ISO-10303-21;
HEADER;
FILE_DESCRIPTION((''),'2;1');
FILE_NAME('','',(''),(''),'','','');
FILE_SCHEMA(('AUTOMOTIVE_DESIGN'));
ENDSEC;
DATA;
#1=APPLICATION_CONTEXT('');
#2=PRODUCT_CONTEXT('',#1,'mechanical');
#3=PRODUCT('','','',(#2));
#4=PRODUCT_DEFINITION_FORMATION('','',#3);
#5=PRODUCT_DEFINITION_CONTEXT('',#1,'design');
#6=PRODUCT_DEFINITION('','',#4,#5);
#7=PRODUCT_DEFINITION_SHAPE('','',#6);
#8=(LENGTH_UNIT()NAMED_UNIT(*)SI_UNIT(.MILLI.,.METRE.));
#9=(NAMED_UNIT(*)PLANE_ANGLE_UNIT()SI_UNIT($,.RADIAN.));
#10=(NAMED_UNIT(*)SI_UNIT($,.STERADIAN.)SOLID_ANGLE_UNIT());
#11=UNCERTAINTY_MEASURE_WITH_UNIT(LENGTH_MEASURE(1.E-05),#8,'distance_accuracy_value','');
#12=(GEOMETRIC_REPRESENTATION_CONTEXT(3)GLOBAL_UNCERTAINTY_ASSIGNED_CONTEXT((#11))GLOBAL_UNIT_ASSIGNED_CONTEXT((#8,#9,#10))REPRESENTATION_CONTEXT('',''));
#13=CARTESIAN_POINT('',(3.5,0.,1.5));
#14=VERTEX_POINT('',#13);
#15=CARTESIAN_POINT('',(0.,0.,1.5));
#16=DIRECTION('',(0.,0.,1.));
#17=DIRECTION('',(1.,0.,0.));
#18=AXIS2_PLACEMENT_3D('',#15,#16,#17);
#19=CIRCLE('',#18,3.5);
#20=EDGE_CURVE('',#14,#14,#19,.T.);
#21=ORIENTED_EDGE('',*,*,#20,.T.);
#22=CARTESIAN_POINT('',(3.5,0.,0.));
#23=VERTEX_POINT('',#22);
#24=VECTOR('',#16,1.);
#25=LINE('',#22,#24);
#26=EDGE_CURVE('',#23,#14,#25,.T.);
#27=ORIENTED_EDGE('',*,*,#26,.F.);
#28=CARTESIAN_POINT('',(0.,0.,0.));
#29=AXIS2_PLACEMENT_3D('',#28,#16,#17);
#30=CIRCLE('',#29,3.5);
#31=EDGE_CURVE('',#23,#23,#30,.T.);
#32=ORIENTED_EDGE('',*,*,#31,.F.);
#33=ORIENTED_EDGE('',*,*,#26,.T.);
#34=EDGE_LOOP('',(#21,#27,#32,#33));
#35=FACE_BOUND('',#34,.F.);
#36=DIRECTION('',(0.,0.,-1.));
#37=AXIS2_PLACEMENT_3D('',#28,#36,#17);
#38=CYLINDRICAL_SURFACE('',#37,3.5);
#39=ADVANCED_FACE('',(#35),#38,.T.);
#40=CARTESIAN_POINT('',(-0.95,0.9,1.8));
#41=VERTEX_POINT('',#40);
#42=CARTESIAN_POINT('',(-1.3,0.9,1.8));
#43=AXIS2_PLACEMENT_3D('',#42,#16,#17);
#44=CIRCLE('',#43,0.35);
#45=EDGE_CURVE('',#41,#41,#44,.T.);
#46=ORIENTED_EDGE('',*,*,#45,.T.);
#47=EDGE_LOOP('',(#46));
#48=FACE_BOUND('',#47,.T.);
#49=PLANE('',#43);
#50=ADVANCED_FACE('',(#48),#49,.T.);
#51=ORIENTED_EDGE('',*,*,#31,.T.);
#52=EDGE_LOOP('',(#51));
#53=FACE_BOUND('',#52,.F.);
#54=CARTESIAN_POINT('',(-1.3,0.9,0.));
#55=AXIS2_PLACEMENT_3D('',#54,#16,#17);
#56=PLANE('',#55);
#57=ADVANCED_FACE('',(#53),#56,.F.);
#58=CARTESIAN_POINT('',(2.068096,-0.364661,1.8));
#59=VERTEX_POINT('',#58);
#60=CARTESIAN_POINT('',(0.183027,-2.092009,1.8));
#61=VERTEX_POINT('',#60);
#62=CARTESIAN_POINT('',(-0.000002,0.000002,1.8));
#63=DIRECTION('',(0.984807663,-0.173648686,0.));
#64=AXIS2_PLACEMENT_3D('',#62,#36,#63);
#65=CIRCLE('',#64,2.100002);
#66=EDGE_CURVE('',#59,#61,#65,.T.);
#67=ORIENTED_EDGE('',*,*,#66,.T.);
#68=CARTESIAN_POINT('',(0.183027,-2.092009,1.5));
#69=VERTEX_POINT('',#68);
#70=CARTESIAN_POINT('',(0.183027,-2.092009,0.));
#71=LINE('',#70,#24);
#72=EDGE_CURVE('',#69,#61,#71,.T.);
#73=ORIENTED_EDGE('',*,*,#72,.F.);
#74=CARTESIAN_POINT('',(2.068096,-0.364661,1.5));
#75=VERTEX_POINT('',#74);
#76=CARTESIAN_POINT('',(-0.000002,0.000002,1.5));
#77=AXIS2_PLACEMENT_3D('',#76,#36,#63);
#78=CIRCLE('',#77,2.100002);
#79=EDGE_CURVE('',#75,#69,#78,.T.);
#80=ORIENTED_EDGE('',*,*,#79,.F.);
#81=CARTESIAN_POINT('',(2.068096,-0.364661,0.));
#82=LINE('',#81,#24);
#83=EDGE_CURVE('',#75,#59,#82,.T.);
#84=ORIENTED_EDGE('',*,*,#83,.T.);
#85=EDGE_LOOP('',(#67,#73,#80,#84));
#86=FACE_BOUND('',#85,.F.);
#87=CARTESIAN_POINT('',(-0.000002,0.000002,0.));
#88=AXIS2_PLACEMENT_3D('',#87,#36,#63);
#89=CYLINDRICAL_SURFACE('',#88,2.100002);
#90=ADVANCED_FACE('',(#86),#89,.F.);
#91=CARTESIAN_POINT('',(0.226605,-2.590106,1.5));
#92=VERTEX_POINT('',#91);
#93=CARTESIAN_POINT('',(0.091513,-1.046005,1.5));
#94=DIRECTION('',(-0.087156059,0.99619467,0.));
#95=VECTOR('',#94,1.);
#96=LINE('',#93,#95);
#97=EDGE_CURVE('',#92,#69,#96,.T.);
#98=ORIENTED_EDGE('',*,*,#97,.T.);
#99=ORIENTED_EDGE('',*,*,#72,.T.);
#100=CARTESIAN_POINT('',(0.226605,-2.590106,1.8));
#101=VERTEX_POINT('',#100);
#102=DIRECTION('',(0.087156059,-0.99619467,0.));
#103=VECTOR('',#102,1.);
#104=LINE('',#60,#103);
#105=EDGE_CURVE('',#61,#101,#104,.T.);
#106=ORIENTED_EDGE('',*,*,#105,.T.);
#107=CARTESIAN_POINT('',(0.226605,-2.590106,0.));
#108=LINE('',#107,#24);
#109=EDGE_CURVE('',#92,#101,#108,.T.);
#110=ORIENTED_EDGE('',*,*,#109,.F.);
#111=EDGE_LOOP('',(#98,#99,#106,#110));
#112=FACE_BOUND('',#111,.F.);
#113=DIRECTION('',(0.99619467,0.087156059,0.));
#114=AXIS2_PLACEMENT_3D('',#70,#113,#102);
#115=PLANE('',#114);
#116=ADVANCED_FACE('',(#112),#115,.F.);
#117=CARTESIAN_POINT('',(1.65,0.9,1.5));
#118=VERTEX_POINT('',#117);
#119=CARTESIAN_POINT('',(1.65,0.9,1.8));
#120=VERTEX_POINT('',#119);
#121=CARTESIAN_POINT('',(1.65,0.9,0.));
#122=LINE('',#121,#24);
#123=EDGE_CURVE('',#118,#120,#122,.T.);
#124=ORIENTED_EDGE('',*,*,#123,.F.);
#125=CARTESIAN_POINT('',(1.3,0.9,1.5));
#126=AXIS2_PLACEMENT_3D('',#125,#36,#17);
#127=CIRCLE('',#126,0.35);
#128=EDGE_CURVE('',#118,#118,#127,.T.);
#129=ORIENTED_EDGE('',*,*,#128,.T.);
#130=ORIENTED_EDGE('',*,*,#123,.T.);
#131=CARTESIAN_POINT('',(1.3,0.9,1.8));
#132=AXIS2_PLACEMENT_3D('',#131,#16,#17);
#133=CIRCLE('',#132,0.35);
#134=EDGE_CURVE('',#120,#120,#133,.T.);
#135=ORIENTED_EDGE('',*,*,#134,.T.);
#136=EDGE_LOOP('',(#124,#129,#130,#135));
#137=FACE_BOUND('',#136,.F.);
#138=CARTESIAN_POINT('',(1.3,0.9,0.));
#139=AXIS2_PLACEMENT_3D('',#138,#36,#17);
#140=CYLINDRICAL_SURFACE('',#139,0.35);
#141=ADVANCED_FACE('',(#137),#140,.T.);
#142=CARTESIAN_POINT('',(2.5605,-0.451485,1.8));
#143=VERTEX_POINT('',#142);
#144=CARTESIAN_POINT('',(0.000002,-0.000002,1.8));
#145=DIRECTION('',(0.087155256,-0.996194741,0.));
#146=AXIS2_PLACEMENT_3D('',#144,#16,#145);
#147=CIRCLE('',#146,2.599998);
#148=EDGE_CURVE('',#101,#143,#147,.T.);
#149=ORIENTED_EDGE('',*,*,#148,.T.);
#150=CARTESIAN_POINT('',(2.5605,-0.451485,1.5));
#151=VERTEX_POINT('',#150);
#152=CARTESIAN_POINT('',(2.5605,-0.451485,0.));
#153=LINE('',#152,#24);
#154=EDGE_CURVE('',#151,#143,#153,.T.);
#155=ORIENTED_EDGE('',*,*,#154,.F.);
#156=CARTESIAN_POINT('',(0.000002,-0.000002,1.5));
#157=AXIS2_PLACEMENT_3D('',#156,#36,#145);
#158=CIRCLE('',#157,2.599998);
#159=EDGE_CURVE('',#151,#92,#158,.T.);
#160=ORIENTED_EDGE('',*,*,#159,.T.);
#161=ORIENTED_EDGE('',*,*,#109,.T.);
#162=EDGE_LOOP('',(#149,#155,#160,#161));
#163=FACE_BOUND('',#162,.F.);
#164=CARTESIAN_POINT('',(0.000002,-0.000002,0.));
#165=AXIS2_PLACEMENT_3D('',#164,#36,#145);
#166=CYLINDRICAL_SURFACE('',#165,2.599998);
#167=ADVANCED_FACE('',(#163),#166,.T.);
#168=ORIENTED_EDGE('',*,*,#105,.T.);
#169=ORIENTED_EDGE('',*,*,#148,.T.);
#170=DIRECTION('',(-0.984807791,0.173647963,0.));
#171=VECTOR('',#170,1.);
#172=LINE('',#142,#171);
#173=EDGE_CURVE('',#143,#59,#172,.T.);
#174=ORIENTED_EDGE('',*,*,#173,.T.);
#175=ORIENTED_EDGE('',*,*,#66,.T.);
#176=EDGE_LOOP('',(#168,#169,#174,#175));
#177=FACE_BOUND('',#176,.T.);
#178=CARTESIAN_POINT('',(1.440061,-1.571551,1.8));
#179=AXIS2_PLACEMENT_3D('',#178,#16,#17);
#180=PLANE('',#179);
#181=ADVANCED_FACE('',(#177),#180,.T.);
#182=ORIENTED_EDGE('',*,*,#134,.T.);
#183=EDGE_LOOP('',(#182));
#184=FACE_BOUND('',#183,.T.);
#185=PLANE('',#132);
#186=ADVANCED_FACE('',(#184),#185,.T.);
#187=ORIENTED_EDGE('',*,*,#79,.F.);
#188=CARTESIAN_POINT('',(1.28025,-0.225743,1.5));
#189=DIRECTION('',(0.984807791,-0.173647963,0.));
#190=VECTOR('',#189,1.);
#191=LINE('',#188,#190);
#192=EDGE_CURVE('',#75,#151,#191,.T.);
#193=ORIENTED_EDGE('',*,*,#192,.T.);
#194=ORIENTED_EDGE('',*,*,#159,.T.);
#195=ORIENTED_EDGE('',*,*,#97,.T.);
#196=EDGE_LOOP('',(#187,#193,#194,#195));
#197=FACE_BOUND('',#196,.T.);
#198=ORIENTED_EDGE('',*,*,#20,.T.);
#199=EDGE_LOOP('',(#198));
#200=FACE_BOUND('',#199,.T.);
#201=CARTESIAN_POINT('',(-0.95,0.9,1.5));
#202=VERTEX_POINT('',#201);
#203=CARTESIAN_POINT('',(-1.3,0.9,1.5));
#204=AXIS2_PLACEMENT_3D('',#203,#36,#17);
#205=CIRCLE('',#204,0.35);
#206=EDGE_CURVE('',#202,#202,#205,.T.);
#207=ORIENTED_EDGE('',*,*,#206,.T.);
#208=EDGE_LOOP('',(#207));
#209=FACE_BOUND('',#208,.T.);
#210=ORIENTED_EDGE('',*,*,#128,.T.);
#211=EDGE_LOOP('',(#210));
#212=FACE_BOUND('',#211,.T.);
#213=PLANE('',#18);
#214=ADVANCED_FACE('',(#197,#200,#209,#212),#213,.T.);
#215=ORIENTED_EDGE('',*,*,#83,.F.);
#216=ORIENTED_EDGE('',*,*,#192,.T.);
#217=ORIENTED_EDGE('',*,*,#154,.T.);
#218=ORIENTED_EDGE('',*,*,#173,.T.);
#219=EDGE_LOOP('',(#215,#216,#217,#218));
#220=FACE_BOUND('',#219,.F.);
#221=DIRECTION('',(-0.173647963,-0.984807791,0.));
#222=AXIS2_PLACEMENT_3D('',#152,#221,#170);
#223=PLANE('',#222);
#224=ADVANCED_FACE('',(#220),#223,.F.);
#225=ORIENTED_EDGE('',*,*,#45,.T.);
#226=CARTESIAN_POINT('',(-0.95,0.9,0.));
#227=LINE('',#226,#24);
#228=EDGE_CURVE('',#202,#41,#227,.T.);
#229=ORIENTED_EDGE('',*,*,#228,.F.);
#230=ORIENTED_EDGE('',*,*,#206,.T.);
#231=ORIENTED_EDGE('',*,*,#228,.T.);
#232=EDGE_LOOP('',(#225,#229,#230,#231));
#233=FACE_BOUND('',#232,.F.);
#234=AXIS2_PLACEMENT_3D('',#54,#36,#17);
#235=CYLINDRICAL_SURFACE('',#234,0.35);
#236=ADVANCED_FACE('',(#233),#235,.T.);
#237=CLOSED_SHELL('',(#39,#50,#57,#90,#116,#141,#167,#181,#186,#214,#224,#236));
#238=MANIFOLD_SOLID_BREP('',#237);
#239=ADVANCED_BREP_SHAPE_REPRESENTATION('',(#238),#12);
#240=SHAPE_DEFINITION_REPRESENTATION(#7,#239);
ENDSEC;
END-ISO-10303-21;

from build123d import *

# Parameters (mm, degrees)
F0_R     = 3.5
F1_DEPTH = 1.5
F2_R     = 0.35
F3_DEPTH = 1.8


with BuildPart() as f1:
    # F0 (on Top) → F1 (new body)
    with BuildSketch(Plane.XY):
        Circle(F0_R)
    extrude(amount=F1_DEPTH)

    # F2 (on Top) → F3 (join)
    with BuildSketch(Plane.XY):
        with Locations((-1.3, 0.9)):
            Circle(F2_R)
        with Locations((1.3, 0.9)):
            Circle(F2_R)
        with BuildLine():
            Line((0.183027, -2.092009), (0.226605, -2.590106))
            ThreePointArc((0.226605, -2.590106), (1.756535, -1.916921), (2.5605, -0.451485))
            Line((2.5605, -0.451485), (2.068096, -0.364661))
            ThreePointArc((2.068096, -0.364661), (1.418739, -1.548282), (0.183027, -2.092009))
        make_face()
    extrude(amount=F3_DEPTH)


solid = f1.part
